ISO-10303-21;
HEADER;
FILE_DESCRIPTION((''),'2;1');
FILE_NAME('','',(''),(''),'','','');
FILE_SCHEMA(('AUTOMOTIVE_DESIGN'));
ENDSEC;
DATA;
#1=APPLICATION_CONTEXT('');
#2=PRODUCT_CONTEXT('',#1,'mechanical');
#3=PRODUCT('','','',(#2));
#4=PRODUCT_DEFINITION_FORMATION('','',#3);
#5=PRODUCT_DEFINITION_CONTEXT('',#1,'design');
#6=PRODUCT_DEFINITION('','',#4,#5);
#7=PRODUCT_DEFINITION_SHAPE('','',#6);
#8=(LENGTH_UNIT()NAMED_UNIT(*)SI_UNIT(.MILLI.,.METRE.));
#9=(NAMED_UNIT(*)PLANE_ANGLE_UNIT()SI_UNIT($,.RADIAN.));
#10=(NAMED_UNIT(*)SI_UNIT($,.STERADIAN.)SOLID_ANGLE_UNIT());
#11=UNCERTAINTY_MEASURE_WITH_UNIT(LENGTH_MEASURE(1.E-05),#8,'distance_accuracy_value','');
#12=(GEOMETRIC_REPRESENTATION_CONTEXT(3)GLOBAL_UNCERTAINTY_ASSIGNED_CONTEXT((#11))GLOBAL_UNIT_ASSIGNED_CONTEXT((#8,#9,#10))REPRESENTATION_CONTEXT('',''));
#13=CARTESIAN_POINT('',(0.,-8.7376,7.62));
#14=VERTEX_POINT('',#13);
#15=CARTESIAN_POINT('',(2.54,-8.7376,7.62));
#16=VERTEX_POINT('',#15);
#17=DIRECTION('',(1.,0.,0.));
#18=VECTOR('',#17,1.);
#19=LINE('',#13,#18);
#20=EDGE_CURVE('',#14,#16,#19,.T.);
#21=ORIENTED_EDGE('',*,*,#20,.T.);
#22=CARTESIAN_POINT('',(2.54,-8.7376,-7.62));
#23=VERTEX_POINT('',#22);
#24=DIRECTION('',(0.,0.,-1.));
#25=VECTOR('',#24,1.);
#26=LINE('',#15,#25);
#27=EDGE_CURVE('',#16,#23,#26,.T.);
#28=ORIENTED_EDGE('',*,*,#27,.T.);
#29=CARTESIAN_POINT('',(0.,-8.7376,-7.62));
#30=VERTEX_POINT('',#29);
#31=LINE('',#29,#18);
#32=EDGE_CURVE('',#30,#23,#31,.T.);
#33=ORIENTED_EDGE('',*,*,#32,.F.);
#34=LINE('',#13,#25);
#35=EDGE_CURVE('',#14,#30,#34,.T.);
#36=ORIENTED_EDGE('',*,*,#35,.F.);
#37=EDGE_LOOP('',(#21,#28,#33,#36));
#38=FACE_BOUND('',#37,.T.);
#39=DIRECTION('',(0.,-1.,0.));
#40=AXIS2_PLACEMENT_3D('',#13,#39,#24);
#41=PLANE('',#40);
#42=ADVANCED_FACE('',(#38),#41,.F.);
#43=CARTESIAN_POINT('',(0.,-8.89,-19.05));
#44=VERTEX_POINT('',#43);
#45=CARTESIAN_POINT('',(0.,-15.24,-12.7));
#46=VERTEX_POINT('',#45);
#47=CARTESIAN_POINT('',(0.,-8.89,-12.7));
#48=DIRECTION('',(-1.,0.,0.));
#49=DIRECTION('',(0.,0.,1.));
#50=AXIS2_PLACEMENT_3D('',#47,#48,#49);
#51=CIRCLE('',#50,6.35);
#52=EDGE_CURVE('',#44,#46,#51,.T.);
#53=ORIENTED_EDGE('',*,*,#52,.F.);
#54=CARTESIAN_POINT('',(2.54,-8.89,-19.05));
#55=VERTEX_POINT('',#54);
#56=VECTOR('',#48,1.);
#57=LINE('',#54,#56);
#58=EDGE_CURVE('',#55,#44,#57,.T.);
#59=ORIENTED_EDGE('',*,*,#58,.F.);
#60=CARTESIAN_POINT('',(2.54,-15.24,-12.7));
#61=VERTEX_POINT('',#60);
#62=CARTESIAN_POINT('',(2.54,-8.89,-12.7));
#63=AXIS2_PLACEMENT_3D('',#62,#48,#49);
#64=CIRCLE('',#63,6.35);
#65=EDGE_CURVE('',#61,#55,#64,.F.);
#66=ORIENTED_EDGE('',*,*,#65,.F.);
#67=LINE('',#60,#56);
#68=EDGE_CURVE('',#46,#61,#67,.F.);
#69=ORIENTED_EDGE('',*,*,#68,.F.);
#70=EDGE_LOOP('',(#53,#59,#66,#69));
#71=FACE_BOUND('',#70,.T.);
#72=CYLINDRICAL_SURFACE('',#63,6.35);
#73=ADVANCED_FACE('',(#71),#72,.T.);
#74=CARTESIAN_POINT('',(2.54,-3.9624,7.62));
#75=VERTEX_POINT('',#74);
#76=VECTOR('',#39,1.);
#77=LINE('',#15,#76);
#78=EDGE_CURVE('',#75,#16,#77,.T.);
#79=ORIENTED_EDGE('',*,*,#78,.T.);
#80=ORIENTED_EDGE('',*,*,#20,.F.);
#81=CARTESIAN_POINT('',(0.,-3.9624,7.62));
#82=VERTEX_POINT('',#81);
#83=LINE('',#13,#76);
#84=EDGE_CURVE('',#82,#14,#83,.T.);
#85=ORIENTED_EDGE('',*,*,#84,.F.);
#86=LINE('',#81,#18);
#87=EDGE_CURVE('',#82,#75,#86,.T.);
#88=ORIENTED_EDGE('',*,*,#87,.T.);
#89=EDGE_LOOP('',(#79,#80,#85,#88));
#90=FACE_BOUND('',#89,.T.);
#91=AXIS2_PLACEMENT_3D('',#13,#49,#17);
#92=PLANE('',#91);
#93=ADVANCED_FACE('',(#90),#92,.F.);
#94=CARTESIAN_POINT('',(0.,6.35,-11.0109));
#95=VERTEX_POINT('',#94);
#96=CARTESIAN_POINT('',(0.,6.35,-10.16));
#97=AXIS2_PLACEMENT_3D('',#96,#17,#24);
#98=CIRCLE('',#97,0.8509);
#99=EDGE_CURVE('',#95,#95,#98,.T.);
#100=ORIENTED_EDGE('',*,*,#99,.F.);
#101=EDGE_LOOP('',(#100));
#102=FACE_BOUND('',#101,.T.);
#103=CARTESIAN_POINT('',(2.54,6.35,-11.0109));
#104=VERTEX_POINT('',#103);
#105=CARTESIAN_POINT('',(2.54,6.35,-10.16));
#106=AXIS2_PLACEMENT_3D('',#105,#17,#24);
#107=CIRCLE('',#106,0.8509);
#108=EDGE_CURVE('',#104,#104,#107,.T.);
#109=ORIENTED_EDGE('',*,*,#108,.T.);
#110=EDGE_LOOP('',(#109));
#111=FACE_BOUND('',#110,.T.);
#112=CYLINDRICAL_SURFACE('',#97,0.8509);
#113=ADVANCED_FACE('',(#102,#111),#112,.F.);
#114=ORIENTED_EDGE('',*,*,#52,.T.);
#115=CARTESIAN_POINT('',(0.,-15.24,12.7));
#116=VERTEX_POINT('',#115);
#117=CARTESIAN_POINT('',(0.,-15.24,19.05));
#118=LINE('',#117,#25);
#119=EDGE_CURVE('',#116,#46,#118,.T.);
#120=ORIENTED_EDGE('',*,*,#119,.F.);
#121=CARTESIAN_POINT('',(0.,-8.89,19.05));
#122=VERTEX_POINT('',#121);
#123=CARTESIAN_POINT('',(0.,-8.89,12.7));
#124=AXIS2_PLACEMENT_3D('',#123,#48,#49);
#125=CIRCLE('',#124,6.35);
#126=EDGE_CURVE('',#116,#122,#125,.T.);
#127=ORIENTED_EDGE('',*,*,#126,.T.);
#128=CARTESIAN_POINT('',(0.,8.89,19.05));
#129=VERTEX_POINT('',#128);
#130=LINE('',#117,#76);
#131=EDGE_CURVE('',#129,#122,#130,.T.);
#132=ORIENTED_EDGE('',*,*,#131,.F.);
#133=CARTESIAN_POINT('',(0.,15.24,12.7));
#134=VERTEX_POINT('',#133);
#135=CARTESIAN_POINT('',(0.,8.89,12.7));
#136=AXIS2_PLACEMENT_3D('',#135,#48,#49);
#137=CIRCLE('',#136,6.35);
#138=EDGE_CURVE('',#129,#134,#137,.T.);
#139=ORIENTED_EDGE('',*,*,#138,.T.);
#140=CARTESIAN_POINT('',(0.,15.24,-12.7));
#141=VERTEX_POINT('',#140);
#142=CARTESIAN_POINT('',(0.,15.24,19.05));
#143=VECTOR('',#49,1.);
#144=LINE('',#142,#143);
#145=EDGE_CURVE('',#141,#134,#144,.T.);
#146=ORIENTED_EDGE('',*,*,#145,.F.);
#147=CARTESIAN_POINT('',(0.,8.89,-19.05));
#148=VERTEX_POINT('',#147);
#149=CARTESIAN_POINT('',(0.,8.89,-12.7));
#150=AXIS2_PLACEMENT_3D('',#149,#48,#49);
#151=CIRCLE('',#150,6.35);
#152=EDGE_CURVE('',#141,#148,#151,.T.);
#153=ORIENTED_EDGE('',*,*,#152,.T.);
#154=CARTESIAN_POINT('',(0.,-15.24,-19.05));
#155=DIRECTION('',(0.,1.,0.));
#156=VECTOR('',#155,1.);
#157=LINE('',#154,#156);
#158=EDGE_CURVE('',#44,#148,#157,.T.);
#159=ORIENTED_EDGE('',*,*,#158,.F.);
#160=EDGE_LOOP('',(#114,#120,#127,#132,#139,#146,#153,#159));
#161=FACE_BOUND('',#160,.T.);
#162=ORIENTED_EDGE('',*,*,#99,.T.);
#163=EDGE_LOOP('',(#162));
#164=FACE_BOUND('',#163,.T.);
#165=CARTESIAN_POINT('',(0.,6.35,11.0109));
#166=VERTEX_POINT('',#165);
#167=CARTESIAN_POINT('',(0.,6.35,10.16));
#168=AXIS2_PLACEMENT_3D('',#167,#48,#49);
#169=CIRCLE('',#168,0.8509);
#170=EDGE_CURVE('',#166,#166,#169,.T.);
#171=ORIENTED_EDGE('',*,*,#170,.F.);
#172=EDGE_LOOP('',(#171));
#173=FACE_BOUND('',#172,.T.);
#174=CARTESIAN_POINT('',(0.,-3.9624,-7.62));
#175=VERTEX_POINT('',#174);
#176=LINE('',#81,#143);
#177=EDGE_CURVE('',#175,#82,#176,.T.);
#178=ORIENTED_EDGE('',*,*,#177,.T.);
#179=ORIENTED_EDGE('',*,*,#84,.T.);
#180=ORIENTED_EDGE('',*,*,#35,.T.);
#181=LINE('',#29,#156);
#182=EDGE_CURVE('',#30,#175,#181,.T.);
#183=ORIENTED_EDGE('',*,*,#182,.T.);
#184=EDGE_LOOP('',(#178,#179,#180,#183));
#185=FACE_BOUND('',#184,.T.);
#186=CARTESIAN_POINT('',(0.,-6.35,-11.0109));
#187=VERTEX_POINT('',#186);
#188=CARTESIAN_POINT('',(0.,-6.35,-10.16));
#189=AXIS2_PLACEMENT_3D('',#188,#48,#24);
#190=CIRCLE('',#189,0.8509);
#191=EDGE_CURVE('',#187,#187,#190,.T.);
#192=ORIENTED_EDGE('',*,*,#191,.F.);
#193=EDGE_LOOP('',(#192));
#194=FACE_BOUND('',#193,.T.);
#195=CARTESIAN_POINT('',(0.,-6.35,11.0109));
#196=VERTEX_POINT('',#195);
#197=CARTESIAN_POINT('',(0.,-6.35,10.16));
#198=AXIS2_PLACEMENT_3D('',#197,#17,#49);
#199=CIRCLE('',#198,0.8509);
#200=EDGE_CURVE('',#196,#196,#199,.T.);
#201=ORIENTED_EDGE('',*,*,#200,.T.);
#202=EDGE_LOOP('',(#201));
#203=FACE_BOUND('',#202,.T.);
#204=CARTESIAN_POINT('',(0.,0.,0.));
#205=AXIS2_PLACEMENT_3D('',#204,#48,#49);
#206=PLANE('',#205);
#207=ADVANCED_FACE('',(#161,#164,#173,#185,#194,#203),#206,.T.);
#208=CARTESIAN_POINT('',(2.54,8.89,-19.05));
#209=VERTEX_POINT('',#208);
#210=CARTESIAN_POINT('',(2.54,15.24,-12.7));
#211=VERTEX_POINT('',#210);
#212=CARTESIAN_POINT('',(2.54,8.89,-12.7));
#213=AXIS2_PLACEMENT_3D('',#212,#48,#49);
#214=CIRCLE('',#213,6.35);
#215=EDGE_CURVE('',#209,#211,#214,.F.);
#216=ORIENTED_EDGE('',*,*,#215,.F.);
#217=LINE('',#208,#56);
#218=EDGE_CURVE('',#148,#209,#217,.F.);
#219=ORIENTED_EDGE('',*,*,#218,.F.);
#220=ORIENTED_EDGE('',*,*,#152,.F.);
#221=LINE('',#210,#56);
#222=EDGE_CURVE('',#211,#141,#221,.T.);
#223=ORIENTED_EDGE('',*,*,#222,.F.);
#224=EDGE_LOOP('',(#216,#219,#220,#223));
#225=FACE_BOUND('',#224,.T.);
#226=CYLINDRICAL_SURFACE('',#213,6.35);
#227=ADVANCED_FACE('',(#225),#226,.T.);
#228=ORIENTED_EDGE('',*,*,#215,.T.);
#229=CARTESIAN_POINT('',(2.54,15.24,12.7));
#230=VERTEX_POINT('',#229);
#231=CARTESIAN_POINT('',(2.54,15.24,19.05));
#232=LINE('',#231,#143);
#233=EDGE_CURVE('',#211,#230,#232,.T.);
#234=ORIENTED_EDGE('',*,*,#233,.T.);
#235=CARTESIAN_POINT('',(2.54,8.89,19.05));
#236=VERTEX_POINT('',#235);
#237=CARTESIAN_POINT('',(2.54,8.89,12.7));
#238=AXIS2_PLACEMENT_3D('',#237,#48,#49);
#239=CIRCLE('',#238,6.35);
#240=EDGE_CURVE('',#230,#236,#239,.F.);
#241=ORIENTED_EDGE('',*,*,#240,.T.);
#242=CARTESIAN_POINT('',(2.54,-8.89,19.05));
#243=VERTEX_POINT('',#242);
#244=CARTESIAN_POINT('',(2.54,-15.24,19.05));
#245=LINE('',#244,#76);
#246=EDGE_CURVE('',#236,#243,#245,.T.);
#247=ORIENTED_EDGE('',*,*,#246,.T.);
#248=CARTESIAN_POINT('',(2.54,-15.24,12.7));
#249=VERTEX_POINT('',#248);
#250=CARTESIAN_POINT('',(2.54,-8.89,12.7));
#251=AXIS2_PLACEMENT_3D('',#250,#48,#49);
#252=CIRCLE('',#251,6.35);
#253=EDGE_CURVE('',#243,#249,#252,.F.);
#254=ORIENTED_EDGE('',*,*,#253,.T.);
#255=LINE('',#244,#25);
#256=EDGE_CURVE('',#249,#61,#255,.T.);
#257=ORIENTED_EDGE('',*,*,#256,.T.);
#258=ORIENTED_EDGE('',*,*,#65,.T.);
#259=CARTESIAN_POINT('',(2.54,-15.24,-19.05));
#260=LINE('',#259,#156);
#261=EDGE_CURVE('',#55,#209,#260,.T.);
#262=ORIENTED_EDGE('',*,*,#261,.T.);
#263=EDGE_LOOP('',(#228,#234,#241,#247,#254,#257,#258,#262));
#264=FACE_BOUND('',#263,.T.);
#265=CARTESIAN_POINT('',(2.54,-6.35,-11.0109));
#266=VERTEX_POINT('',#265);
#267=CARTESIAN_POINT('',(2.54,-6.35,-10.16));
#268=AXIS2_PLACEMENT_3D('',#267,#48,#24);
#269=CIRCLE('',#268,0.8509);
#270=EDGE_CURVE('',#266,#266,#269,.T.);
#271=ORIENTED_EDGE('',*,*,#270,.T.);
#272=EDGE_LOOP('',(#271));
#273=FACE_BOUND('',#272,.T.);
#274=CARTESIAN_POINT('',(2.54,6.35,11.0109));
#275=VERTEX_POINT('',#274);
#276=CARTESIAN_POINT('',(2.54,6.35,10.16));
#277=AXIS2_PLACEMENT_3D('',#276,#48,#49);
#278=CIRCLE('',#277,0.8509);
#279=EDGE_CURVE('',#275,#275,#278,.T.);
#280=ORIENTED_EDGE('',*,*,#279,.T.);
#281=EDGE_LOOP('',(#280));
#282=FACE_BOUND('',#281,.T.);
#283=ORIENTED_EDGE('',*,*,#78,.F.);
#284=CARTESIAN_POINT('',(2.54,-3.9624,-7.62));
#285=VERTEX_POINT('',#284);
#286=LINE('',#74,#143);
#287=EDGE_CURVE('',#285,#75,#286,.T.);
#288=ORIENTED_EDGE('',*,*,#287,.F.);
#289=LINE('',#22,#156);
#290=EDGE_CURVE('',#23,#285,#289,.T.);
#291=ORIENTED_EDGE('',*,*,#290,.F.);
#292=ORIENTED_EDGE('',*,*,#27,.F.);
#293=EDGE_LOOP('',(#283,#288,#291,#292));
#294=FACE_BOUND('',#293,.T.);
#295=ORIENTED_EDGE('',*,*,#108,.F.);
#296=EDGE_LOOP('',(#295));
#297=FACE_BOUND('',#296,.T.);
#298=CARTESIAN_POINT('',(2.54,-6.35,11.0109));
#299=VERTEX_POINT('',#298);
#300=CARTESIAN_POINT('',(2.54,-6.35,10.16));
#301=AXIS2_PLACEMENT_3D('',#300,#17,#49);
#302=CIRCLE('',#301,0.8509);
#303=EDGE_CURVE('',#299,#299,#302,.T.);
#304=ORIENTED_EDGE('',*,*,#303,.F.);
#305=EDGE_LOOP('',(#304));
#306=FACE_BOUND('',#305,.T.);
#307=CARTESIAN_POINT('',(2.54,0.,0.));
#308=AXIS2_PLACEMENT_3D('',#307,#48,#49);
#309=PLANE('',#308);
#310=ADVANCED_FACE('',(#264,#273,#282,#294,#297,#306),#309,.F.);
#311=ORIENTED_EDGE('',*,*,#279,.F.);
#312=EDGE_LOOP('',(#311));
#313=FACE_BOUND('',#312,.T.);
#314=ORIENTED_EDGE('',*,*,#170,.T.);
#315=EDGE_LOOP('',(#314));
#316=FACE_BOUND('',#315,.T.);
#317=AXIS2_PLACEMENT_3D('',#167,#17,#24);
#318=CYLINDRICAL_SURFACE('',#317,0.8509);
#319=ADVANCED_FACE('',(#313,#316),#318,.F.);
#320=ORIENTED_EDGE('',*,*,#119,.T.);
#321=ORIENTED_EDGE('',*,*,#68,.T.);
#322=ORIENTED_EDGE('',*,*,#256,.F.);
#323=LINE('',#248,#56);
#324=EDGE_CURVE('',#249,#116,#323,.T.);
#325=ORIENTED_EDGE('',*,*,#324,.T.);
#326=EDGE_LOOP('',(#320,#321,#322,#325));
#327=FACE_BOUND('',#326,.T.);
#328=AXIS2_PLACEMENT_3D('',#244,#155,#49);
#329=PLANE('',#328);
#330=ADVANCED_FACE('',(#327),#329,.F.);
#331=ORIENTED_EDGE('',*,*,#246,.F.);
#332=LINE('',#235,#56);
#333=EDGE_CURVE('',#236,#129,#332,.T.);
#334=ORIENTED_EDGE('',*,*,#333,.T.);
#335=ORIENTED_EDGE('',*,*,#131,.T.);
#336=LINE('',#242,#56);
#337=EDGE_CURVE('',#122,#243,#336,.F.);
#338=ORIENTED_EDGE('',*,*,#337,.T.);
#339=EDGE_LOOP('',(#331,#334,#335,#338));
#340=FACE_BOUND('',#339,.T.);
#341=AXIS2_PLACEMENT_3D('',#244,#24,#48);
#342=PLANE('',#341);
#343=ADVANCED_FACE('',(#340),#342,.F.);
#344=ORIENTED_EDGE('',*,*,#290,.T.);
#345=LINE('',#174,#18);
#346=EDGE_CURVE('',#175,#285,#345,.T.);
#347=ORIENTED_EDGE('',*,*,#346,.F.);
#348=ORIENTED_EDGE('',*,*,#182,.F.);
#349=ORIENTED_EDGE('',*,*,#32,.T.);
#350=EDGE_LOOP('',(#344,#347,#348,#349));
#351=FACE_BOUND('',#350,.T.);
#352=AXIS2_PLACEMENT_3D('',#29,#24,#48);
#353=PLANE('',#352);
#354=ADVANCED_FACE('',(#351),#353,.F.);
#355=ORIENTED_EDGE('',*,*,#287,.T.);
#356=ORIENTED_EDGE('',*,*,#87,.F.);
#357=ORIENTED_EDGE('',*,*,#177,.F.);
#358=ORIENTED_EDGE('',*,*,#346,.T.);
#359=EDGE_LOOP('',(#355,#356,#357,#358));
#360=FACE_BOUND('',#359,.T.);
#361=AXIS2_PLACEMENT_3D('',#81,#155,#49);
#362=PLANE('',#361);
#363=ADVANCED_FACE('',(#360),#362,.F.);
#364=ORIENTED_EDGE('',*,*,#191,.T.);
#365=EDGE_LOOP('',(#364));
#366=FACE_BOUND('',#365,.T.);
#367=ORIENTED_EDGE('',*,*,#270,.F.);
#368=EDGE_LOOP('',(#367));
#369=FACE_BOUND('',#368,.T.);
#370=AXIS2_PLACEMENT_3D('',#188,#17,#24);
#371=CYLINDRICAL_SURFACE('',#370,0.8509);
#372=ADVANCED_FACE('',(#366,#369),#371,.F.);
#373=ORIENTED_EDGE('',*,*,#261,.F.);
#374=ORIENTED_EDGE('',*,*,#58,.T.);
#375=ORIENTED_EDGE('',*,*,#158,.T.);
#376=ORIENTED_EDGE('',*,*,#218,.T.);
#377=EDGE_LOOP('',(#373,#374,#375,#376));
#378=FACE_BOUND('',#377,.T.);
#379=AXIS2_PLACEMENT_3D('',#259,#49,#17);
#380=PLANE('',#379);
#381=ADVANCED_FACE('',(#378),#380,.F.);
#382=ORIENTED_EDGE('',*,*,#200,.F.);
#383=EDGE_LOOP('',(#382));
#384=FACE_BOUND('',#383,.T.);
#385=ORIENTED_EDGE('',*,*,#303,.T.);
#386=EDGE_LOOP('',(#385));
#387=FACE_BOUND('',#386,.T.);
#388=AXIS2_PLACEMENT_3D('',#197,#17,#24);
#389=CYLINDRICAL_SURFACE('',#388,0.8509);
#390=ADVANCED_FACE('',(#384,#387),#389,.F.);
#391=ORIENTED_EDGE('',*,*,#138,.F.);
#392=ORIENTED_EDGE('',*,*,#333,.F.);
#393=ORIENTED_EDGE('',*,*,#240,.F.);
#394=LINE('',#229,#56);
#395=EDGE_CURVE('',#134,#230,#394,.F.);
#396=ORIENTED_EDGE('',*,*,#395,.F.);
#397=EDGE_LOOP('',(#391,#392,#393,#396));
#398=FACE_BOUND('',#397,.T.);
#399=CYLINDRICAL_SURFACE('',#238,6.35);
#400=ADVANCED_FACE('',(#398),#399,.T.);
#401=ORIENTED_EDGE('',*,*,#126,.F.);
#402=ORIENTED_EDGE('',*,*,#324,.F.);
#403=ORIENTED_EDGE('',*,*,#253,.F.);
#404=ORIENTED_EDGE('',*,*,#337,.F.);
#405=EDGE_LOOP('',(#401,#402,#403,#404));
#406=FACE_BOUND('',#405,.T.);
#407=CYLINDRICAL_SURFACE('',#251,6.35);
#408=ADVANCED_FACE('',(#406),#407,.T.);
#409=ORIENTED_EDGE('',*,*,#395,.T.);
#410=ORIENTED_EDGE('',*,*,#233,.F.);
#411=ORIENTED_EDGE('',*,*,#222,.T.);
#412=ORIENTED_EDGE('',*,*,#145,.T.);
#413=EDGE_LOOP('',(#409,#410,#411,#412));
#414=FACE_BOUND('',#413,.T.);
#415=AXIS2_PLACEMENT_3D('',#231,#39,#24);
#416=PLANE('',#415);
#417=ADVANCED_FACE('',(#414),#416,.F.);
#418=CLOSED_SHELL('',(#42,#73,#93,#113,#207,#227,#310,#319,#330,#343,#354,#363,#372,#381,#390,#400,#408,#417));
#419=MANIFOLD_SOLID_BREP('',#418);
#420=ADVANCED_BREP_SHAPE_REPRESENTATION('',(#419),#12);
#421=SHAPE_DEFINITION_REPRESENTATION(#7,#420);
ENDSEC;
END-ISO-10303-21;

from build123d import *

# Parameters (mm, degrees)
SKETCH1_W               = 38.1
SKETCH1_H               = 30.48
BOSS_EXTRUDE1_DEPTH     = 2.54
SKETCH2_R               = 0.8509
CUT_EXTRUDE1_DEPTH      = 2.54
MIRROR2_COPY_1_SKETCH_R = 0.8509
MIRROR2_COPY_1_DEPTH    = 2.54
FILLET1_R               = 6.35
SKETCH3_W               = 15.24
SKETCH3_H               = 4.7752
CUT_EXTRUDE2_DEPTH      = 2.54


with BuildPart() as part:
    # Sketch1 → Boss-Extrude1 (new body)
    with BuildSketch(Plane(origin=(0, 0, 0), x_dir=(0, 0, -1), z_dir=(1, 0, 0))):
        Rectangle(SKETCH1_W, SKETCH1_H)
    extrude(amount=BOSS_EXTRUDE1_DEPTH)

    # Sketch2 → Cut-Extrude1 (cut)
    with BuildSketch(Plane(origin=(2.54, 0, 0), x_dir=(0, 0, -1), z_dir=(1, 0, 0))):
        with Locations((10.16, 6.35)):
            Circle(SKETCH2_R)
    cut_extrude1 = extrude(amount=-CUT_EXTRUDE1_DEPTH, mode=Mode.SUBTRACT)

    # Mirror1: Cut-Extrude1 across plane
    add(cut_extrude1.mirror(Plane.XY), mode=Mode.SUBTRACT)

    # Mirror2: Cut-Extrude1 across plane
    add(cut_extrude1.mirror(Plane.ZX), mode=Mode.SUBTRACT)

    # Mirror2 copy 1 sketch → Mirror2 copy 1 (cut)
    with BuildSketch(Plane(origin=(2.54, 0, 0), x_dir=(0, 0, 1), z_dir=(1, 0, 0))):
        with Locations((10.16, 6.35)):
            Circle(MIRROR2_COPY_1_SKETCH_R)
    extrude(amount=-MIRROR2_COPY_1_DEPTH, mode=Mode.SUBTRACT)

    # Fillet1
    fillet1_edges = [part.edges().sort_by_distance(p)[0] for p in [
        (1.27, -15.24, -19.05),
        (1.27, -15.24, 19.05),
        (1.27, 15.24, 19.05),
        (1.27, 15.24, -19.05),
    ]]
    fillet(fillet1_edges, radius=FILLET1_R)

    # Sketch3 → Cut-Extrude2 (cut)
    with BuildSketch(Plane(origin=(2.54, 0, 0), x_dir=(0, 0, -1), z_dir=(1, 0, 0))):
        with Locations((0, -6.35)):
            Rectangle(SKETCH3_W, SKETCH3_H)
    extrude(amount=-CUT_EXTRUDE2_DEPTH, mode=Mode.SUBTRACT)


solid = part.part
